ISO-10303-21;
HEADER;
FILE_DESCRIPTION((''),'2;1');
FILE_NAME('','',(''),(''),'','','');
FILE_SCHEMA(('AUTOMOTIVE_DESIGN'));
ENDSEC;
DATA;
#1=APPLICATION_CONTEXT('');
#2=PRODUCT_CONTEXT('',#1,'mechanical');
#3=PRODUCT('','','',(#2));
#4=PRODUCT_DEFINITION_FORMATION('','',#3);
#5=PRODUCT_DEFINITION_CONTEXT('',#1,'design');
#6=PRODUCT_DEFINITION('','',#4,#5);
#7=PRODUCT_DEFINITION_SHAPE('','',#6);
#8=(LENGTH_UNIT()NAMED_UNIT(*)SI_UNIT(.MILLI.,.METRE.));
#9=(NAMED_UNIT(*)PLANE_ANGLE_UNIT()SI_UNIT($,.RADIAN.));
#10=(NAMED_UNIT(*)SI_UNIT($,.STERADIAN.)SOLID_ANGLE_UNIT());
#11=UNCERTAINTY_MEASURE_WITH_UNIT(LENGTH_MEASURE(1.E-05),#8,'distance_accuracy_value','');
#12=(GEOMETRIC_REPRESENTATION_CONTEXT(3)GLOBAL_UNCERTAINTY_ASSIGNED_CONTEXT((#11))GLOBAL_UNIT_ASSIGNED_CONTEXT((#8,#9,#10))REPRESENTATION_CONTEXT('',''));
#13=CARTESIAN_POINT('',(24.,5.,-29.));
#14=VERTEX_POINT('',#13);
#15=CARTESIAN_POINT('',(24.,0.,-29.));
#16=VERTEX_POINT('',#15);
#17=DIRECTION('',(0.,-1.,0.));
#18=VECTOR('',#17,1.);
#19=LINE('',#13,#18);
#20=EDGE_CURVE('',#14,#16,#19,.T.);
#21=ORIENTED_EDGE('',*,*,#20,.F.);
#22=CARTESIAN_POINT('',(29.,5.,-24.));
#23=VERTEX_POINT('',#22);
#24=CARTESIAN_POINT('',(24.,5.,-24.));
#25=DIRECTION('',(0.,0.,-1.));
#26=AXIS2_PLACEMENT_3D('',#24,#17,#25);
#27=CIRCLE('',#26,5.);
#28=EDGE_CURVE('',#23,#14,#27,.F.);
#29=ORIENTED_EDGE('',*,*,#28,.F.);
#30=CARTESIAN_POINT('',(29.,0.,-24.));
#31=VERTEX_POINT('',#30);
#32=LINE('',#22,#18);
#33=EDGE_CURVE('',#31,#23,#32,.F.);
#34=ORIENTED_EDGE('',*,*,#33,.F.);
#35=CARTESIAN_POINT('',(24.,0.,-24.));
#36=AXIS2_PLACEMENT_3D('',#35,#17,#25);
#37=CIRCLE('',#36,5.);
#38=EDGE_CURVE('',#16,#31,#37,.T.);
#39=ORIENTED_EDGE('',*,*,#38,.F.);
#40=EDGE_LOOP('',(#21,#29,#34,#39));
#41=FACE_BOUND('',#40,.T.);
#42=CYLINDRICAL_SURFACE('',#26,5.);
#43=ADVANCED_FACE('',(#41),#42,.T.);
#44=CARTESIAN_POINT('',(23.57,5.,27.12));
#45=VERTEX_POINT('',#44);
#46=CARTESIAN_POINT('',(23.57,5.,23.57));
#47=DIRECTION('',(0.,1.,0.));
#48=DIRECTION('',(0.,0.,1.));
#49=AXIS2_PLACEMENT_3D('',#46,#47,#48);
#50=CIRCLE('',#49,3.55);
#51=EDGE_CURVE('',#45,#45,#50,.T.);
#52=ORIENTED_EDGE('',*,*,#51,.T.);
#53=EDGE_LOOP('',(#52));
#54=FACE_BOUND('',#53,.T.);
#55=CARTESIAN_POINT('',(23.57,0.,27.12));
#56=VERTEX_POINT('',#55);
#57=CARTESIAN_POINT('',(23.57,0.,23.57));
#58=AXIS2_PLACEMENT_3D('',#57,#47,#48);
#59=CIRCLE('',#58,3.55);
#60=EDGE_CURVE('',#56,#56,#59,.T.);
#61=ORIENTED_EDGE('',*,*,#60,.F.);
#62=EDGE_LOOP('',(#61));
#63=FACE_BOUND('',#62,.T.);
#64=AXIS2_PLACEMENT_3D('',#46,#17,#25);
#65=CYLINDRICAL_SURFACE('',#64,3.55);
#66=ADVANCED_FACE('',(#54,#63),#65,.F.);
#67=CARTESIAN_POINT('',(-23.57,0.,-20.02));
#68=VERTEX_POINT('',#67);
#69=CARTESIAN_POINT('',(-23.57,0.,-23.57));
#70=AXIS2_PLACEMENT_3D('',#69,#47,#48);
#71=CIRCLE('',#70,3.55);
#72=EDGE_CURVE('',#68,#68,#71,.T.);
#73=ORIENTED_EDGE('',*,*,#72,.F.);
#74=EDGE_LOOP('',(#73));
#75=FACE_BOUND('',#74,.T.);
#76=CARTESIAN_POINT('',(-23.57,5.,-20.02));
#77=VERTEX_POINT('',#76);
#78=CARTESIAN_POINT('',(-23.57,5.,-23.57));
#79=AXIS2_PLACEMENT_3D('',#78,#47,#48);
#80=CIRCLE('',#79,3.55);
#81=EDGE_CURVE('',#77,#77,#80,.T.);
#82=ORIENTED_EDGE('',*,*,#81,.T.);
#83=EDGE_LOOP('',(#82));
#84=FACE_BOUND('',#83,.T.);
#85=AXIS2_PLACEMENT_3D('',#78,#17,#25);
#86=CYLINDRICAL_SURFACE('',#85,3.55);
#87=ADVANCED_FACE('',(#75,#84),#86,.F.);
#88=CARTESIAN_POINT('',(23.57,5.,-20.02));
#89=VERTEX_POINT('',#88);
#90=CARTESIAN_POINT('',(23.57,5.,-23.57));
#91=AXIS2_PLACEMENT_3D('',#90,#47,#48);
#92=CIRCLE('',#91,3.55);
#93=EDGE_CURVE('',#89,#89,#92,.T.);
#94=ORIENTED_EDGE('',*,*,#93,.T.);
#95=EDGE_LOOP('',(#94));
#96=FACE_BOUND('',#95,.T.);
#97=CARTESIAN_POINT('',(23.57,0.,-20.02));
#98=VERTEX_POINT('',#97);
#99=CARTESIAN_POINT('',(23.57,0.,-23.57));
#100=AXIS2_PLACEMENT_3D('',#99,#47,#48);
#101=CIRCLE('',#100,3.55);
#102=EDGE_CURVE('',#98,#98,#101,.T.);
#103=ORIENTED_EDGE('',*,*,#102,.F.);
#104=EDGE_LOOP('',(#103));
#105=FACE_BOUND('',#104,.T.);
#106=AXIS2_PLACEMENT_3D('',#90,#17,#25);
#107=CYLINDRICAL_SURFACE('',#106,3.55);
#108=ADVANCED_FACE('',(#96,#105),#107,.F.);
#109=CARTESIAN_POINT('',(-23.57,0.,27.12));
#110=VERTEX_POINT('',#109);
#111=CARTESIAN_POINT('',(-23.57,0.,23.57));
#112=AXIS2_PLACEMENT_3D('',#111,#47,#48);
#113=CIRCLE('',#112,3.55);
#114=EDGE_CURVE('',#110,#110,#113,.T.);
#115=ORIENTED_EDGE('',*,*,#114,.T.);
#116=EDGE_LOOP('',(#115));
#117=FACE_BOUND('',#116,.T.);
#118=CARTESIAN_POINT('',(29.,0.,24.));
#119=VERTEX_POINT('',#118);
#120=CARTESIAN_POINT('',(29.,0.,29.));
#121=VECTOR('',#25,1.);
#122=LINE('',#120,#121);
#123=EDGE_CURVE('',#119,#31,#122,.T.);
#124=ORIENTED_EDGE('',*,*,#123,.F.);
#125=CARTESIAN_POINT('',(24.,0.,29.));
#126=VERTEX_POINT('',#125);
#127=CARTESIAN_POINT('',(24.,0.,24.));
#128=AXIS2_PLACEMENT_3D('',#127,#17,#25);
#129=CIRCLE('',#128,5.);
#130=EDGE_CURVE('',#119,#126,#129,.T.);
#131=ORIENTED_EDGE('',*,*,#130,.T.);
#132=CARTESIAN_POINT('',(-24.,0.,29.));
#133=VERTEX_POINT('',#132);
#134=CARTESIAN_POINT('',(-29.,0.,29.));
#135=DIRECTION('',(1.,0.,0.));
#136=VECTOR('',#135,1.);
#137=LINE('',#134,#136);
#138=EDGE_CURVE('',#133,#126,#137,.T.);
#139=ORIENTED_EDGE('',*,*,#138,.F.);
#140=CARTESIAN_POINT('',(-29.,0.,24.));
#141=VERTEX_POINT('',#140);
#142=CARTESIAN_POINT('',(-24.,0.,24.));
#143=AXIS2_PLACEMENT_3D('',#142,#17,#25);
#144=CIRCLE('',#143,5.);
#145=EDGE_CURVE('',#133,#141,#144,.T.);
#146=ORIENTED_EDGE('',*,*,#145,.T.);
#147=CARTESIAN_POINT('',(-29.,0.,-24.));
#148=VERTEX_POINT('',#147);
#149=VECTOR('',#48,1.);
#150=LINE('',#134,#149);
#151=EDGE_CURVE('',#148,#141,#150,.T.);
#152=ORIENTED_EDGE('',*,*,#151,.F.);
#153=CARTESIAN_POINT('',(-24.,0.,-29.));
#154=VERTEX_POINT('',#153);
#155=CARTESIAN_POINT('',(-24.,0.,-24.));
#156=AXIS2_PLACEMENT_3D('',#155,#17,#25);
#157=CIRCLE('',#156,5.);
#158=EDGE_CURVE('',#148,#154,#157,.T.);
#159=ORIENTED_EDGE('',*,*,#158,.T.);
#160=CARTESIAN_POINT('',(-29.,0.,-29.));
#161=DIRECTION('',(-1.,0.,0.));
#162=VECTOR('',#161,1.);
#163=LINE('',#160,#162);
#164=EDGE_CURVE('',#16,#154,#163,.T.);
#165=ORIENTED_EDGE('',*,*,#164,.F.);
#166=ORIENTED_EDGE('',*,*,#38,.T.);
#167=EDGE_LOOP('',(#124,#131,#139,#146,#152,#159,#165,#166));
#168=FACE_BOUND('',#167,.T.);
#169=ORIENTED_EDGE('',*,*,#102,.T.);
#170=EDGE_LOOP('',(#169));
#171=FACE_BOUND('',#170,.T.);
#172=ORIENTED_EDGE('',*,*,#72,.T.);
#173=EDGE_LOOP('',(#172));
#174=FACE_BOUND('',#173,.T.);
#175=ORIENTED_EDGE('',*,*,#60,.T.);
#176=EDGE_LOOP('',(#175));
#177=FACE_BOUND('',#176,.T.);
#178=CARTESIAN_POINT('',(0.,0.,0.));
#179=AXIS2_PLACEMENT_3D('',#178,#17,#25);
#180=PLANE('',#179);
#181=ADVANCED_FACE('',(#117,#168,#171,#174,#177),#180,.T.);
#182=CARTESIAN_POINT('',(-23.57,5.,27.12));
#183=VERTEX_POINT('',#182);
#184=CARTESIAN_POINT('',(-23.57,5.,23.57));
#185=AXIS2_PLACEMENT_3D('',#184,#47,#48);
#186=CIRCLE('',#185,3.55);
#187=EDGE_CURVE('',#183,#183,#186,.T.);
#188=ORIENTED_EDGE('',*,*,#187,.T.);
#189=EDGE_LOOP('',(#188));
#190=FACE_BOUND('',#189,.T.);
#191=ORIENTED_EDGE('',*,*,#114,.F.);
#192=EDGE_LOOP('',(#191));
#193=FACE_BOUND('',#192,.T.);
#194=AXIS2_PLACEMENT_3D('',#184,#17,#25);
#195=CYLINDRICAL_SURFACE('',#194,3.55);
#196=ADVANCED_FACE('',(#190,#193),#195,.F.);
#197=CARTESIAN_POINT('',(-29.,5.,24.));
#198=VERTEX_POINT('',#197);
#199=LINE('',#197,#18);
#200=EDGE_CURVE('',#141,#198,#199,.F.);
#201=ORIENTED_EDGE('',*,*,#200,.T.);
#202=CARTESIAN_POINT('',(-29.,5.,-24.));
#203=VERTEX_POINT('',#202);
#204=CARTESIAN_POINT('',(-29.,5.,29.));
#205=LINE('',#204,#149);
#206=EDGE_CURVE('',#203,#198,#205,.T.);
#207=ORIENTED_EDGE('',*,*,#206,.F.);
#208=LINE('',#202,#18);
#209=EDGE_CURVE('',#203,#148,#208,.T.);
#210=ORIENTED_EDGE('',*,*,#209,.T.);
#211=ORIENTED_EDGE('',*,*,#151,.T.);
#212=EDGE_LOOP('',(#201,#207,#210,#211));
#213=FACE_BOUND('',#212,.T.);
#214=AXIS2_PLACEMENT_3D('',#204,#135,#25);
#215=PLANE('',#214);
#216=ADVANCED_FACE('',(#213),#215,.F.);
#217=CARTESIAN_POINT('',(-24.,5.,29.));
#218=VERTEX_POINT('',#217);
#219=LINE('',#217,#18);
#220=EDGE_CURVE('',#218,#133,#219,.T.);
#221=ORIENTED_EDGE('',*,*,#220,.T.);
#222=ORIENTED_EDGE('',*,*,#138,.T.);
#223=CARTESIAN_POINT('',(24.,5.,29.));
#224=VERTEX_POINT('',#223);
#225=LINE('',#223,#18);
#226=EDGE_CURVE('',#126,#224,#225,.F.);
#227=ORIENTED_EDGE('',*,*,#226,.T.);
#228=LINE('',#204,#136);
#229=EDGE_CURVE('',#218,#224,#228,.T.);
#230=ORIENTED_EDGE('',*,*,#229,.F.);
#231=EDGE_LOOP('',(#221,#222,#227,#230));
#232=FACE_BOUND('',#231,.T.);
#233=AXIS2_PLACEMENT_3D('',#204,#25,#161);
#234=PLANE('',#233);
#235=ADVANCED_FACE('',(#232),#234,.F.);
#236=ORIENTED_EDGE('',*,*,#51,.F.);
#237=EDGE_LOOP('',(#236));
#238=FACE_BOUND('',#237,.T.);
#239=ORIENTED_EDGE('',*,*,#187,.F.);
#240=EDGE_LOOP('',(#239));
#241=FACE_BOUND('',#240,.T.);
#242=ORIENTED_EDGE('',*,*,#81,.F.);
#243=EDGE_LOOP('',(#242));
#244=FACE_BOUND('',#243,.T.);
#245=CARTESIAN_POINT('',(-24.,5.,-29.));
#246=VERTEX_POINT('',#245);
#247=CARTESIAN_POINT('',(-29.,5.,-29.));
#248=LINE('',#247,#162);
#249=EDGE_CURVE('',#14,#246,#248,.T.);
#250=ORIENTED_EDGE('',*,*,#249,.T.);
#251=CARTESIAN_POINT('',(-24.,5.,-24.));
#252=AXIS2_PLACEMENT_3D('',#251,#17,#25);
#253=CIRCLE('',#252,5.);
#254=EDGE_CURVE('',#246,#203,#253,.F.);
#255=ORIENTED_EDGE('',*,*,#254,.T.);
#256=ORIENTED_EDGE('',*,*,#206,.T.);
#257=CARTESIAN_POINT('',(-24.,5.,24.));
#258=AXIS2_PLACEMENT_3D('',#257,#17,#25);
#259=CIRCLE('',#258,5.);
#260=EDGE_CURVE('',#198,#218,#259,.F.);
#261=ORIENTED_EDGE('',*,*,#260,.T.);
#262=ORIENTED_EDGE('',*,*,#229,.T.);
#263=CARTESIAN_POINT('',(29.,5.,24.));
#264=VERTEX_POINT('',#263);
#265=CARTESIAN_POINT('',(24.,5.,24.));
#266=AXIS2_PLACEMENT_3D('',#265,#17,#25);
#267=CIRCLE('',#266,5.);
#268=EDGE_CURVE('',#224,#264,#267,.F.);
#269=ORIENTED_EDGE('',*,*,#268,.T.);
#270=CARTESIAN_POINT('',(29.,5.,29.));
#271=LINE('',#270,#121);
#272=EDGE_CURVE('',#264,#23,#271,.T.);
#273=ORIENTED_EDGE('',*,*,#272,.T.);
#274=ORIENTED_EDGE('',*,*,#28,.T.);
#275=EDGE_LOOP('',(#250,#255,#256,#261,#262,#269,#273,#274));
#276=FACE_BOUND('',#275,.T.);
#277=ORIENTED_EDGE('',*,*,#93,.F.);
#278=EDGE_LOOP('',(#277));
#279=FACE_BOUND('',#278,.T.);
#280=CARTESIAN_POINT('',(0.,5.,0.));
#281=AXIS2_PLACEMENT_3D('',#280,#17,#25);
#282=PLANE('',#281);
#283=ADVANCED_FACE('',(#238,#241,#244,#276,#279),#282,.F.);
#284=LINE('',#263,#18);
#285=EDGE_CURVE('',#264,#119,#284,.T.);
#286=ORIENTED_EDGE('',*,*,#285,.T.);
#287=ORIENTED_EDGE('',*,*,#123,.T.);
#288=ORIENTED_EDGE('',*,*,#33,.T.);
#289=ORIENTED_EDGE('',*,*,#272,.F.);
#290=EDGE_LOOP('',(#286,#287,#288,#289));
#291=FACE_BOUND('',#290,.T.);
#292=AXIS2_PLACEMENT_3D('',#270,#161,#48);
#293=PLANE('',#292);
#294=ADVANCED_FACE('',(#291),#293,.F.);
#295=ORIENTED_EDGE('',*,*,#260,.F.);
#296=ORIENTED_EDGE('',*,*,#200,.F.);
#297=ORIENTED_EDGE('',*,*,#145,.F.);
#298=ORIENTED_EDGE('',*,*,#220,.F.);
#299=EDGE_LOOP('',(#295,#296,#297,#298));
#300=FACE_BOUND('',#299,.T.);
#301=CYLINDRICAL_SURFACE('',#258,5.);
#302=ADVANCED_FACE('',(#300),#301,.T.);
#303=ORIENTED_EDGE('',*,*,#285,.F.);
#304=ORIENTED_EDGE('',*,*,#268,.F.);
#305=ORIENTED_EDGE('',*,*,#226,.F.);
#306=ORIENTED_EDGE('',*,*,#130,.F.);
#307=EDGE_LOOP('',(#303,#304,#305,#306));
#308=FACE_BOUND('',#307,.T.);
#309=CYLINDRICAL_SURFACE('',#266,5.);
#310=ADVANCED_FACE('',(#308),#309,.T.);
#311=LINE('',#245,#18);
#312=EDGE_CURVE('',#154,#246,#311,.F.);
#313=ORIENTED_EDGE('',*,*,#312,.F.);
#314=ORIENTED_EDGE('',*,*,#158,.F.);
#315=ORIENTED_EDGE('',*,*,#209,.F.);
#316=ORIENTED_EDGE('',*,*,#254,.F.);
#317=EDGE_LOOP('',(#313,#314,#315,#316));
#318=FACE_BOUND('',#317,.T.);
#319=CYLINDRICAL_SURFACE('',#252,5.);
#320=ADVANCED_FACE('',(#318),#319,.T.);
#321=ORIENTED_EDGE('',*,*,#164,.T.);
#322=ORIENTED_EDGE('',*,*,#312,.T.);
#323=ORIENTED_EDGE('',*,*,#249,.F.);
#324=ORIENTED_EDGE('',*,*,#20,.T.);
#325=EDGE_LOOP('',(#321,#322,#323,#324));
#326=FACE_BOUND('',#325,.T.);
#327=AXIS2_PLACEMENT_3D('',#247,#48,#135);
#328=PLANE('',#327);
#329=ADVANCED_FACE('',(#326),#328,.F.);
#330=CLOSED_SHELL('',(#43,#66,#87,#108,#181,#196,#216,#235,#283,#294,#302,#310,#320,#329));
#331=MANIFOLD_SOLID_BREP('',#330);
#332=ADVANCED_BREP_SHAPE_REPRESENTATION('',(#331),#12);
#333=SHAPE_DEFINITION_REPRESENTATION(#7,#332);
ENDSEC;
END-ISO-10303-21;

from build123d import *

# Parameters (mm, degrees)
SKETCH1_W           = 58
SKETCH1_H           = 58
SKETCH1_R           = 3.55
BOSS_EXTRUDE1_DEPTH = 5
FILLET1_R           = 5


with BuildPart() as part:
    # Sketch1 → Boss-Extrude1 (new body)
    with BuildSketch(Plane(origin=(0, 0, 0), x_dir=(1, 0, 0), z_dir=(0, 1, 0))):
        Rectangle(SKETCH1_W, SKETCH1_H)
        with Locations((-23.57, 23.57)):
            Circle(SKETCH1_R, mode=Mode.SUBTRACT)
        with Locations((23.57, 23.57)):
            Circle(SKETCH1_R, mode=Mode.SUBTRACT)
        with Locations((23.57, -23.57)):
            Circle(SKETCH1_R, mode=Mode.SUBTRACT)
        with Locations((-23.57, -23.57)):
            Circle(SKETCH1_R, mode=Mode.SUBTRACT)
    extrude(amount=BOSS_EXTRUDE1_DEPTH)

    # Fillet1
    fillet1_edges = [part.edges().sort_by_distance(p)[0] for p in [
        (29, 2.5, 29),
        (-29, 2.5, 29),
        (-29, 2.5, -29),
        (29, 2.5, -29),
    ]]
    fillet(fillet1_edges, radius=FILLET1_R)


solid = part.part
